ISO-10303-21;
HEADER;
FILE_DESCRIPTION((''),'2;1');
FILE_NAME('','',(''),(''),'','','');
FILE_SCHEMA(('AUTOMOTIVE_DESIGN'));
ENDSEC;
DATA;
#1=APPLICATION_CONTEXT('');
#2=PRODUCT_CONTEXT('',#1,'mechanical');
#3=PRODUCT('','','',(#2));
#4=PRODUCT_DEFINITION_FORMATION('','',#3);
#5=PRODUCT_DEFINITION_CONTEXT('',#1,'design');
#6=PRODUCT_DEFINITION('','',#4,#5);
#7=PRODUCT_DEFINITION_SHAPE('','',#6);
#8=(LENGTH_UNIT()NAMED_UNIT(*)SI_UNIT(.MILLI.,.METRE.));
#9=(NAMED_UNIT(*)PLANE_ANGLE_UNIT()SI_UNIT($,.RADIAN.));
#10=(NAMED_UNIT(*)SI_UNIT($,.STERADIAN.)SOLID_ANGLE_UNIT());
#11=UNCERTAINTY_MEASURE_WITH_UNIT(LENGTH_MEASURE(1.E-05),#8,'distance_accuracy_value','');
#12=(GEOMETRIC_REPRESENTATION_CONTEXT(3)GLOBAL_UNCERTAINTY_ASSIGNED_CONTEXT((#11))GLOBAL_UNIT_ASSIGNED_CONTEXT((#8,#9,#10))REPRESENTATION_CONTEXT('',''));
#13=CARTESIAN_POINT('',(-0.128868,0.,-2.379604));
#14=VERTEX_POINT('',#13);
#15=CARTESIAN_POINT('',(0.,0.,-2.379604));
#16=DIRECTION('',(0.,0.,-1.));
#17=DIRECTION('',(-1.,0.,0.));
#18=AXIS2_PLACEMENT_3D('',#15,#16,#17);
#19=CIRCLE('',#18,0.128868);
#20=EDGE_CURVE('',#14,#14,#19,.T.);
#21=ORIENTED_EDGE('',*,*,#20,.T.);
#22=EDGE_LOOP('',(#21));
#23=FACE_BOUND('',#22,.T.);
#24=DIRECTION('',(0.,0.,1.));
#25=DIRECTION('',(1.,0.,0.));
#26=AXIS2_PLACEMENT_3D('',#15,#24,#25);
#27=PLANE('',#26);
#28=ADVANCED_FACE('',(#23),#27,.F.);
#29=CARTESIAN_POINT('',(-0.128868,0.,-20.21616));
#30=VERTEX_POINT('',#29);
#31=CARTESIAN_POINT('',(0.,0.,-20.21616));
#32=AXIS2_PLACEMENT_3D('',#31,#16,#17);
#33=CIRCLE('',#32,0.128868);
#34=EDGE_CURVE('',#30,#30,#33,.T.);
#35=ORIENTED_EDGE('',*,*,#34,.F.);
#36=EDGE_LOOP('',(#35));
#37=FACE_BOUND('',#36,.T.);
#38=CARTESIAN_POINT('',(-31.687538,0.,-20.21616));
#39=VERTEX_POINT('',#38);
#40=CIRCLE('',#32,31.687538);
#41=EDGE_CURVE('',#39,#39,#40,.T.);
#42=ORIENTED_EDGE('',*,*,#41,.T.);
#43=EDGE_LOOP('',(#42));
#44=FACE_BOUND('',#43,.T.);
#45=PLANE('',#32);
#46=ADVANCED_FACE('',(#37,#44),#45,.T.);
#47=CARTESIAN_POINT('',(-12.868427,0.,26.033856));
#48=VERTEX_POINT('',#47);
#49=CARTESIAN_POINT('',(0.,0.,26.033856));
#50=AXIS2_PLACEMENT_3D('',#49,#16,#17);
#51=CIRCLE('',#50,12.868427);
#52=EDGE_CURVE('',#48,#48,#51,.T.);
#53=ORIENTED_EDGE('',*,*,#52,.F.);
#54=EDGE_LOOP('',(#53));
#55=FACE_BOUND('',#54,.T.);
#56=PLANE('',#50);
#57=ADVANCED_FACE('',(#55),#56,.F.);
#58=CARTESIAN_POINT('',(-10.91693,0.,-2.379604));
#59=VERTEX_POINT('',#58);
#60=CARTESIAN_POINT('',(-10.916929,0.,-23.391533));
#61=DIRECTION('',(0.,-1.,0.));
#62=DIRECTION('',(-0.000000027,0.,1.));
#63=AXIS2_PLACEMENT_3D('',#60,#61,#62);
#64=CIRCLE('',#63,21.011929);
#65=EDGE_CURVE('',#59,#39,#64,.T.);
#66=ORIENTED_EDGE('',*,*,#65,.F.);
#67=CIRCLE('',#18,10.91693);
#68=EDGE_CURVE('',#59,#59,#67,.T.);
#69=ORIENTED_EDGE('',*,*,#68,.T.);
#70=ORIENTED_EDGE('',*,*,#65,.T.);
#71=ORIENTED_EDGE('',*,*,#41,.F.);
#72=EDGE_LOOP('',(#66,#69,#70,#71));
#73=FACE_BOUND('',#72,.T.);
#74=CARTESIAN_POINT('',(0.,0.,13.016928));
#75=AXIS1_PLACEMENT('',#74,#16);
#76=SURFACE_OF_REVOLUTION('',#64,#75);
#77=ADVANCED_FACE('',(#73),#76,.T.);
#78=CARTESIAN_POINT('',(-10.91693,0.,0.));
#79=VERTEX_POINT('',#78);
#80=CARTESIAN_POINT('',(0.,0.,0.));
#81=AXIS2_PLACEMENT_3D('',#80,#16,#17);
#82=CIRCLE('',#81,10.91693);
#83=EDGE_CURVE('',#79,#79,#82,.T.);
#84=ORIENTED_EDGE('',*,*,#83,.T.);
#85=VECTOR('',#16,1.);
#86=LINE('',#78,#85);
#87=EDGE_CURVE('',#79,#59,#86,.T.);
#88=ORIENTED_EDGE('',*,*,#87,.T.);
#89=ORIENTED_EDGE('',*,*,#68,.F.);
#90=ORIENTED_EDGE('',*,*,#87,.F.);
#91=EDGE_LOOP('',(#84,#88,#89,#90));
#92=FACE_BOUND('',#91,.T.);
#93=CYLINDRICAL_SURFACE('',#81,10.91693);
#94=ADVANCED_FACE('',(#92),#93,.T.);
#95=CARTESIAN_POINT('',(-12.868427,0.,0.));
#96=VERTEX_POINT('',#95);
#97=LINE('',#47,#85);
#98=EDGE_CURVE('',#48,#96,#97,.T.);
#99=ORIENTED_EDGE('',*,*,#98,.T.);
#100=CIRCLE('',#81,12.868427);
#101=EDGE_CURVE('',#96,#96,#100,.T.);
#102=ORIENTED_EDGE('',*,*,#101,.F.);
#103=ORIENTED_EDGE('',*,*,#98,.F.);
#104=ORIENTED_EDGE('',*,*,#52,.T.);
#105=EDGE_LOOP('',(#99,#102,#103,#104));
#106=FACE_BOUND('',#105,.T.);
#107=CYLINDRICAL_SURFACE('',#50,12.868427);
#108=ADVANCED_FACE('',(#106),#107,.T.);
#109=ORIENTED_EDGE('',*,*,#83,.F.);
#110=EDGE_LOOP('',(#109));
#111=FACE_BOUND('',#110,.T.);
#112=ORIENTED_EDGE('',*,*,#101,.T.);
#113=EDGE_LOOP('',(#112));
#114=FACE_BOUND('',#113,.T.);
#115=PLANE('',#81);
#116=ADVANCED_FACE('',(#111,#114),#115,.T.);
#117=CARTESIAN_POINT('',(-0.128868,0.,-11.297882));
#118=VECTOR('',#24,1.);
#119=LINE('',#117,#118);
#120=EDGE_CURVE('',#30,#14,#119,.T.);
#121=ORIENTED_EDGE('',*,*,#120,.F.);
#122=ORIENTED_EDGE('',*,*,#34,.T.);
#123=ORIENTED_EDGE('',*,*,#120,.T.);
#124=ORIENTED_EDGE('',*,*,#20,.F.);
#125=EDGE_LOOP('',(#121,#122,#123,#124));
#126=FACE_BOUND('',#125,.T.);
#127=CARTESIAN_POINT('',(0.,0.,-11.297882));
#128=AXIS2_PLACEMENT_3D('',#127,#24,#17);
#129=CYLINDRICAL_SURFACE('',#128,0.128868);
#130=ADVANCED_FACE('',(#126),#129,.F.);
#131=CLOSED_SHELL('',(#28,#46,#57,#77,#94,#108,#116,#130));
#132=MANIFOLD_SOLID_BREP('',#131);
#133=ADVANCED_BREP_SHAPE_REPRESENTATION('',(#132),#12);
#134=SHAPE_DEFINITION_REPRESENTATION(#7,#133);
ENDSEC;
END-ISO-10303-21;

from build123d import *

# Parameters (mm, degrees)
F0_W = 10.788062
F0_H = 17.836556


with BuildPart() as f1:
    # F0 (on Front) → F1 (revolve)
    with BuildSketch(Plane.XZ):
        with BuildLine():
            Line((-31.687538, -20.21616), (-10.91693, -2.379604))
            ThreePointArc((-10.91693, -2.379604), (-24.605985, -7.450676), (-31.687538, -20.21616))
        make_face()
        Polygon((-10.91693, -20.21616), (-10.91693, -2.379604), (-31.687538, -20.21616), align=None)
        Polygon((0, -2.379604), (0, 0), (-10.91693, 0), (-10.91693, -2.379604), (-0.128868, -2.379604), align=None)
        with Locations((-5.522899, -11.297882)):
            Rectangle(F0_W, F0_H)
        Polygon((0, 0), (0, 26.033856), (-12.868427, 26.033856), (-12.868427, 0), (-10.91693, 0), align=None)
    revolve(axis=Axis((0, 0, 13.016928), (0, 0, -1)))


solid = f1.part
